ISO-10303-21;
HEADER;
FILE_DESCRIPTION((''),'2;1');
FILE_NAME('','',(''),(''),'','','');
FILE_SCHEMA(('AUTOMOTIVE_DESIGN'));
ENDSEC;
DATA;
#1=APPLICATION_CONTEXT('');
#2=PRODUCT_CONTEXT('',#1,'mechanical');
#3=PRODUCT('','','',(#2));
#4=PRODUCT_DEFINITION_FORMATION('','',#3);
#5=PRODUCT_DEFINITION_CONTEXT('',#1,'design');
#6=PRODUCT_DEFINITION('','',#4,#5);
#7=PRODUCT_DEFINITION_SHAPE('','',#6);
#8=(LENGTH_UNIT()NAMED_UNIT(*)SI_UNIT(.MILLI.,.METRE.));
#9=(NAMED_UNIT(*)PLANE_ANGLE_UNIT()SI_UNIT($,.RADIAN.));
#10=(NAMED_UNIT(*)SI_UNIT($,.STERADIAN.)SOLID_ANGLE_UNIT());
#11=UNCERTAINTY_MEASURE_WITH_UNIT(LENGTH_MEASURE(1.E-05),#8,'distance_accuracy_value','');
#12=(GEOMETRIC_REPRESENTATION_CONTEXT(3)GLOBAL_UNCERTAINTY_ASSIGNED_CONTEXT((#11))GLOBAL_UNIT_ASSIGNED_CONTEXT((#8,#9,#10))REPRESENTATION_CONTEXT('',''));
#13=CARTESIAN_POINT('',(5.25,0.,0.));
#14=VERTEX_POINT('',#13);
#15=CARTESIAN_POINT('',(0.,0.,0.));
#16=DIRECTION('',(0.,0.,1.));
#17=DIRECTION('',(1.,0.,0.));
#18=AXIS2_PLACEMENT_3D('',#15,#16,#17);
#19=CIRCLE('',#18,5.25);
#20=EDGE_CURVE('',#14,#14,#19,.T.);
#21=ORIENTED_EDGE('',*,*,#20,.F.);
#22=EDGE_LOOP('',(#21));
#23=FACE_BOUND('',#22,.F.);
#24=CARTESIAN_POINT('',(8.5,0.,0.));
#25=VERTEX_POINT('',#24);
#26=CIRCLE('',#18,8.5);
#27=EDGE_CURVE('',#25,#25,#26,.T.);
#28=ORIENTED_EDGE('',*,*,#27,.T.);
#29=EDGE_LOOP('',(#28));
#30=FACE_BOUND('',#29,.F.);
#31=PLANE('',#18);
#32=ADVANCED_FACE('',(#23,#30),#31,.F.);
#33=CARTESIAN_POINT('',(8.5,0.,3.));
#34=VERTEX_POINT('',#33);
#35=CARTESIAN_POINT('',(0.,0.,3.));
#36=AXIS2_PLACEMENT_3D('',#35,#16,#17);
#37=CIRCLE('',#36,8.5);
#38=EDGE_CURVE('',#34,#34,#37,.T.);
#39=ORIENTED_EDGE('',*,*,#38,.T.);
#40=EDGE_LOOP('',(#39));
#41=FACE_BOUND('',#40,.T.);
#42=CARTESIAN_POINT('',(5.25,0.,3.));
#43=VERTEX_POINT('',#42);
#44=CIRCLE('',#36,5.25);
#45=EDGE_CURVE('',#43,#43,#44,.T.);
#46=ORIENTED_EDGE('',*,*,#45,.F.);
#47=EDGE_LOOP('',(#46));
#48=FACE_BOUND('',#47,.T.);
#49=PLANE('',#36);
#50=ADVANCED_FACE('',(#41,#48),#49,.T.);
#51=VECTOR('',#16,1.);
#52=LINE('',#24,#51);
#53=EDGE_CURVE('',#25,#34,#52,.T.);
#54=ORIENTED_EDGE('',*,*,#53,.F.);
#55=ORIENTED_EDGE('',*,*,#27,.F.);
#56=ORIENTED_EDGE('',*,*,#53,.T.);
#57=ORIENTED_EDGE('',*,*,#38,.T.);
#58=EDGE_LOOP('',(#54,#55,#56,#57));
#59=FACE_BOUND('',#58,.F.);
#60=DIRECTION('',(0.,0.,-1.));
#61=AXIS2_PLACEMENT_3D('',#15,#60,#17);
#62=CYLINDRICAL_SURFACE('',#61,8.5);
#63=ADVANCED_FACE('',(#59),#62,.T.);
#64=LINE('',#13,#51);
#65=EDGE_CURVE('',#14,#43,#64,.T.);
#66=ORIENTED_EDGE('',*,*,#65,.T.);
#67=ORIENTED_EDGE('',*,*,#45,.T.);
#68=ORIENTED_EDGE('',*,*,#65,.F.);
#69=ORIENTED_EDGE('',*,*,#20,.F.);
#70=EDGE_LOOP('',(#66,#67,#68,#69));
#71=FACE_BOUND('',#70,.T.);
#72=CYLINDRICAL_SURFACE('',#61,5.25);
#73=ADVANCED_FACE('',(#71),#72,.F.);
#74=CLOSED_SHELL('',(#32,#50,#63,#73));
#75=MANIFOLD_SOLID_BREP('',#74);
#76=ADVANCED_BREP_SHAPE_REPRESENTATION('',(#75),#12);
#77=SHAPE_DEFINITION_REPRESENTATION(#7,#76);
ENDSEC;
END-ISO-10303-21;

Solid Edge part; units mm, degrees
sketch "Sketch1" plane through (0, 0, 0) normal (0, 0, 1) x (1, 0, 0)
  circle A0 centre (0, 0) radius 5.25
  circle A1 centre (0, 0) radius 8.5
extrude "Protrusion1" add sketch "Sketch1" along normal blind 3
